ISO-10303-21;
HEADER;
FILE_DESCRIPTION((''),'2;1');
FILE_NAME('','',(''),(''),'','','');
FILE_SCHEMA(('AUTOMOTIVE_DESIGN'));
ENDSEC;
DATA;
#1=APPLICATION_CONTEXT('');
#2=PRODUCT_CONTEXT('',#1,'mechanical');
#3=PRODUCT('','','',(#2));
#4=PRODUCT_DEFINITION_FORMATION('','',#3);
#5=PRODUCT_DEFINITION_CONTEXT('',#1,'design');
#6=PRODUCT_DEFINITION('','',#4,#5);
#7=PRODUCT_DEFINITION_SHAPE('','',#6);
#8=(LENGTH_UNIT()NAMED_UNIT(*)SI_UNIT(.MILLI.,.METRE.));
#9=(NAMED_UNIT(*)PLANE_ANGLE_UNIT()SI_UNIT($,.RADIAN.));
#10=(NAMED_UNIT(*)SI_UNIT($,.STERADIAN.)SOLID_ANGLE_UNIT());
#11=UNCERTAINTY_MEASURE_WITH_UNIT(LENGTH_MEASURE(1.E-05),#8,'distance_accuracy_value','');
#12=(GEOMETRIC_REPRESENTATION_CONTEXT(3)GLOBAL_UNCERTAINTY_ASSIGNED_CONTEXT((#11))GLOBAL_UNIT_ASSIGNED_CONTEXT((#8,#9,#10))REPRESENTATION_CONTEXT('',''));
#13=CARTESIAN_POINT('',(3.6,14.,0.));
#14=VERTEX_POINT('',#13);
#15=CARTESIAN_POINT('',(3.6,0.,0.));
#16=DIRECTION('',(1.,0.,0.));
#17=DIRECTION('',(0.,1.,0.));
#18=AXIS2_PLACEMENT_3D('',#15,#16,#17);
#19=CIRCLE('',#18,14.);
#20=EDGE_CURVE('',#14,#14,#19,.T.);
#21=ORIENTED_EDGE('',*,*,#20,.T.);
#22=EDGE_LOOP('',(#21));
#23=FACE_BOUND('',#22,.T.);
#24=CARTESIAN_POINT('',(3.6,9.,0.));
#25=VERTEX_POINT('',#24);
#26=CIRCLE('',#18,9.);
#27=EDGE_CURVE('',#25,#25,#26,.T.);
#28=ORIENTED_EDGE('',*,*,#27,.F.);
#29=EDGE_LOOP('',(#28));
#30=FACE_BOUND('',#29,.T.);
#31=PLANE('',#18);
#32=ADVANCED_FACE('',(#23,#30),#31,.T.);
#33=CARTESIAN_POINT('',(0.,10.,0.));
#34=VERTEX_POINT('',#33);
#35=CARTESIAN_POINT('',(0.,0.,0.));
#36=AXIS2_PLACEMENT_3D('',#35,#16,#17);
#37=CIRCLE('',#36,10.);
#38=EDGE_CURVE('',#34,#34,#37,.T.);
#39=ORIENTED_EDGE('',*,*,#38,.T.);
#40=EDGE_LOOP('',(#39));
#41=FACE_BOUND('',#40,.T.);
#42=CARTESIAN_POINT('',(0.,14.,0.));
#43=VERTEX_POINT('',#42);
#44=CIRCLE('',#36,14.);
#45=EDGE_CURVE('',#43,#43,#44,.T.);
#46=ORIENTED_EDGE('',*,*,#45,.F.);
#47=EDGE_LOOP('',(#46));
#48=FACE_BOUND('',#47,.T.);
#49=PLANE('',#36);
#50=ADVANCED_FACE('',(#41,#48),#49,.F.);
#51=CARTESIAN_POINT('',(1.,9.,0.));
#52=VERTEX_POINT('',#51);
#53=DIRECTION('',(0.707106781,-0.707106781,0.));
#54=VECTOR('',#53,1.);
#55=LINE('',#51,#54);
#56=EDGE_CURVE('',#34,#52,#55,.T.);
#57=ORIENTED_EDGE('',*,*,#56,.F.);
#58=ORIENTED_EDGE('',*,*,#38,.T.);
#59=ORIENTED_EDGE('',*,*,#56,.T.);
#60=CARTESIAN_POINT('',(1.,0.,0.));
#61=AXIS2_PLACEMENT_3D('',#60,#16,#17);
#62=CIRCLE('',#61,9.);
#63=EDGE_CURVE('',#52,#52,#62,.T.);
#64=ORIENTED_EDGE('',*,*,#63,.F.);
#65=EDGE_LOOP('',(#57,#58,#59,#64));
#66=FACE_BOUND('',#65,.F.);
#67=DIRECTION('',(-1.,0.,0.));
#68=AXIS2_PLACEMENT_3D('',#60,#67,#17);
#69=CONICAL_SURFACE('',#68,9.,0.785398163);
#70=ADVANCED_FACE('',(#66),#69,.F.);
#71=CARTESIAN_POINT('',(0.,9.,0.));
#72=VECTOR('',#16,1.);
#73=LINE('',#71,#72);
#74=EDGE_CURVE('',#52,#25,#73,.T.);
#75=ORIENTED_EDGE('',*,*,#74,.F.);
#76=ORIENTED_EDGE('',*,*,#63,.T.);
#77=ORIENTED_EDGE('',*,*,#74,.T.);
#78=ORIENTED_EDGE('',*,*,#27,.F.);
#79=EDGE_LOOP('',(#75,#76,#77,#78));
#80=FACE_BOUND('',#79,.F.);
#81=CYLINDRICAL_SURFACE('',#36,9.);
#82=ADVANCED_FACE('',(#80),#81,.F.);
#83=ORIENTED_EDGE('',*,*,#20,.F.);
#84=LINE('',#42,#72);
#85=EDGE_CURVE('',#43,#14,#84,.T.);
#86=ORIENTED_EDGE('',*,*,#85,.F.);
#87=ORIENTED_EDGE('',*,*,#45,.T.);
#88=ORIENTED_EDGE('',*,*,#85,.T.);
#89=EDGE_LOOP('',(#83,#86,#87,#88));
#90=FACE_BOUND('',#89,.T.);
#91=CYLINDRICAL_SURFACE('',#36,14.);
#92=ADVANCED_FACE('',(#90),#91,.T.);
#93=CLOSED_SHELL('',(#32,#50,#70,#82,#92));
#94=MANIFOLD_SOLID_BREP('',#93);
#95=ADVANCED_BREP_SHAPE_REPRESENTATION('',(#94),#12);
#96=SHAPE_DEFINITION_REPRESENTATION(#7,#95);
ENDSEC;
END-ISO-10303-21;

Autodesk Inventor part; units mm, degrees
ref_plane "YZ Plane" through (0, 0, 0) normal (1, 0, 0) x (0, 1, 0)
ref_plane "XZ Plane" through (0, 0, 0) normal (0, 1, 0) x (-1, 0, 0)
ref_plane "XY Plane" through (0, 0, 0) normal (0, 0, 1) x (1, 0, 0)
sketch "Sketch1" plane through (0, 0, 0) normal (0, 0, 1) x (1, 0, 0)
  line L0 (0, 0) -> (34.0232, 0) construction
  line L1 (0, 0) -> (0, 14)
  line L2 (0, 14) -> (3.6, 14)
  line L3 (3.6, 14) -> (3.6, 0)
  line L4 (3.6, 0) -> (0, 0)
  line L5 (0, 9) -> (3.6, 9)
  dimension "d0" = 18
  dimension "d1" = 28
  dimension "d3" = 3.6
revolve "Revolution1" add sketch "Sketch1" angle 360 about axis through (0, 0, 0) along (1, 0, 0) contours L1 L2 L3 L5
chamfer "Chamfer2" distance 1 angle 45 1 edges at (0, -9, 0)
properties part number "P11" material "Aluminium"
